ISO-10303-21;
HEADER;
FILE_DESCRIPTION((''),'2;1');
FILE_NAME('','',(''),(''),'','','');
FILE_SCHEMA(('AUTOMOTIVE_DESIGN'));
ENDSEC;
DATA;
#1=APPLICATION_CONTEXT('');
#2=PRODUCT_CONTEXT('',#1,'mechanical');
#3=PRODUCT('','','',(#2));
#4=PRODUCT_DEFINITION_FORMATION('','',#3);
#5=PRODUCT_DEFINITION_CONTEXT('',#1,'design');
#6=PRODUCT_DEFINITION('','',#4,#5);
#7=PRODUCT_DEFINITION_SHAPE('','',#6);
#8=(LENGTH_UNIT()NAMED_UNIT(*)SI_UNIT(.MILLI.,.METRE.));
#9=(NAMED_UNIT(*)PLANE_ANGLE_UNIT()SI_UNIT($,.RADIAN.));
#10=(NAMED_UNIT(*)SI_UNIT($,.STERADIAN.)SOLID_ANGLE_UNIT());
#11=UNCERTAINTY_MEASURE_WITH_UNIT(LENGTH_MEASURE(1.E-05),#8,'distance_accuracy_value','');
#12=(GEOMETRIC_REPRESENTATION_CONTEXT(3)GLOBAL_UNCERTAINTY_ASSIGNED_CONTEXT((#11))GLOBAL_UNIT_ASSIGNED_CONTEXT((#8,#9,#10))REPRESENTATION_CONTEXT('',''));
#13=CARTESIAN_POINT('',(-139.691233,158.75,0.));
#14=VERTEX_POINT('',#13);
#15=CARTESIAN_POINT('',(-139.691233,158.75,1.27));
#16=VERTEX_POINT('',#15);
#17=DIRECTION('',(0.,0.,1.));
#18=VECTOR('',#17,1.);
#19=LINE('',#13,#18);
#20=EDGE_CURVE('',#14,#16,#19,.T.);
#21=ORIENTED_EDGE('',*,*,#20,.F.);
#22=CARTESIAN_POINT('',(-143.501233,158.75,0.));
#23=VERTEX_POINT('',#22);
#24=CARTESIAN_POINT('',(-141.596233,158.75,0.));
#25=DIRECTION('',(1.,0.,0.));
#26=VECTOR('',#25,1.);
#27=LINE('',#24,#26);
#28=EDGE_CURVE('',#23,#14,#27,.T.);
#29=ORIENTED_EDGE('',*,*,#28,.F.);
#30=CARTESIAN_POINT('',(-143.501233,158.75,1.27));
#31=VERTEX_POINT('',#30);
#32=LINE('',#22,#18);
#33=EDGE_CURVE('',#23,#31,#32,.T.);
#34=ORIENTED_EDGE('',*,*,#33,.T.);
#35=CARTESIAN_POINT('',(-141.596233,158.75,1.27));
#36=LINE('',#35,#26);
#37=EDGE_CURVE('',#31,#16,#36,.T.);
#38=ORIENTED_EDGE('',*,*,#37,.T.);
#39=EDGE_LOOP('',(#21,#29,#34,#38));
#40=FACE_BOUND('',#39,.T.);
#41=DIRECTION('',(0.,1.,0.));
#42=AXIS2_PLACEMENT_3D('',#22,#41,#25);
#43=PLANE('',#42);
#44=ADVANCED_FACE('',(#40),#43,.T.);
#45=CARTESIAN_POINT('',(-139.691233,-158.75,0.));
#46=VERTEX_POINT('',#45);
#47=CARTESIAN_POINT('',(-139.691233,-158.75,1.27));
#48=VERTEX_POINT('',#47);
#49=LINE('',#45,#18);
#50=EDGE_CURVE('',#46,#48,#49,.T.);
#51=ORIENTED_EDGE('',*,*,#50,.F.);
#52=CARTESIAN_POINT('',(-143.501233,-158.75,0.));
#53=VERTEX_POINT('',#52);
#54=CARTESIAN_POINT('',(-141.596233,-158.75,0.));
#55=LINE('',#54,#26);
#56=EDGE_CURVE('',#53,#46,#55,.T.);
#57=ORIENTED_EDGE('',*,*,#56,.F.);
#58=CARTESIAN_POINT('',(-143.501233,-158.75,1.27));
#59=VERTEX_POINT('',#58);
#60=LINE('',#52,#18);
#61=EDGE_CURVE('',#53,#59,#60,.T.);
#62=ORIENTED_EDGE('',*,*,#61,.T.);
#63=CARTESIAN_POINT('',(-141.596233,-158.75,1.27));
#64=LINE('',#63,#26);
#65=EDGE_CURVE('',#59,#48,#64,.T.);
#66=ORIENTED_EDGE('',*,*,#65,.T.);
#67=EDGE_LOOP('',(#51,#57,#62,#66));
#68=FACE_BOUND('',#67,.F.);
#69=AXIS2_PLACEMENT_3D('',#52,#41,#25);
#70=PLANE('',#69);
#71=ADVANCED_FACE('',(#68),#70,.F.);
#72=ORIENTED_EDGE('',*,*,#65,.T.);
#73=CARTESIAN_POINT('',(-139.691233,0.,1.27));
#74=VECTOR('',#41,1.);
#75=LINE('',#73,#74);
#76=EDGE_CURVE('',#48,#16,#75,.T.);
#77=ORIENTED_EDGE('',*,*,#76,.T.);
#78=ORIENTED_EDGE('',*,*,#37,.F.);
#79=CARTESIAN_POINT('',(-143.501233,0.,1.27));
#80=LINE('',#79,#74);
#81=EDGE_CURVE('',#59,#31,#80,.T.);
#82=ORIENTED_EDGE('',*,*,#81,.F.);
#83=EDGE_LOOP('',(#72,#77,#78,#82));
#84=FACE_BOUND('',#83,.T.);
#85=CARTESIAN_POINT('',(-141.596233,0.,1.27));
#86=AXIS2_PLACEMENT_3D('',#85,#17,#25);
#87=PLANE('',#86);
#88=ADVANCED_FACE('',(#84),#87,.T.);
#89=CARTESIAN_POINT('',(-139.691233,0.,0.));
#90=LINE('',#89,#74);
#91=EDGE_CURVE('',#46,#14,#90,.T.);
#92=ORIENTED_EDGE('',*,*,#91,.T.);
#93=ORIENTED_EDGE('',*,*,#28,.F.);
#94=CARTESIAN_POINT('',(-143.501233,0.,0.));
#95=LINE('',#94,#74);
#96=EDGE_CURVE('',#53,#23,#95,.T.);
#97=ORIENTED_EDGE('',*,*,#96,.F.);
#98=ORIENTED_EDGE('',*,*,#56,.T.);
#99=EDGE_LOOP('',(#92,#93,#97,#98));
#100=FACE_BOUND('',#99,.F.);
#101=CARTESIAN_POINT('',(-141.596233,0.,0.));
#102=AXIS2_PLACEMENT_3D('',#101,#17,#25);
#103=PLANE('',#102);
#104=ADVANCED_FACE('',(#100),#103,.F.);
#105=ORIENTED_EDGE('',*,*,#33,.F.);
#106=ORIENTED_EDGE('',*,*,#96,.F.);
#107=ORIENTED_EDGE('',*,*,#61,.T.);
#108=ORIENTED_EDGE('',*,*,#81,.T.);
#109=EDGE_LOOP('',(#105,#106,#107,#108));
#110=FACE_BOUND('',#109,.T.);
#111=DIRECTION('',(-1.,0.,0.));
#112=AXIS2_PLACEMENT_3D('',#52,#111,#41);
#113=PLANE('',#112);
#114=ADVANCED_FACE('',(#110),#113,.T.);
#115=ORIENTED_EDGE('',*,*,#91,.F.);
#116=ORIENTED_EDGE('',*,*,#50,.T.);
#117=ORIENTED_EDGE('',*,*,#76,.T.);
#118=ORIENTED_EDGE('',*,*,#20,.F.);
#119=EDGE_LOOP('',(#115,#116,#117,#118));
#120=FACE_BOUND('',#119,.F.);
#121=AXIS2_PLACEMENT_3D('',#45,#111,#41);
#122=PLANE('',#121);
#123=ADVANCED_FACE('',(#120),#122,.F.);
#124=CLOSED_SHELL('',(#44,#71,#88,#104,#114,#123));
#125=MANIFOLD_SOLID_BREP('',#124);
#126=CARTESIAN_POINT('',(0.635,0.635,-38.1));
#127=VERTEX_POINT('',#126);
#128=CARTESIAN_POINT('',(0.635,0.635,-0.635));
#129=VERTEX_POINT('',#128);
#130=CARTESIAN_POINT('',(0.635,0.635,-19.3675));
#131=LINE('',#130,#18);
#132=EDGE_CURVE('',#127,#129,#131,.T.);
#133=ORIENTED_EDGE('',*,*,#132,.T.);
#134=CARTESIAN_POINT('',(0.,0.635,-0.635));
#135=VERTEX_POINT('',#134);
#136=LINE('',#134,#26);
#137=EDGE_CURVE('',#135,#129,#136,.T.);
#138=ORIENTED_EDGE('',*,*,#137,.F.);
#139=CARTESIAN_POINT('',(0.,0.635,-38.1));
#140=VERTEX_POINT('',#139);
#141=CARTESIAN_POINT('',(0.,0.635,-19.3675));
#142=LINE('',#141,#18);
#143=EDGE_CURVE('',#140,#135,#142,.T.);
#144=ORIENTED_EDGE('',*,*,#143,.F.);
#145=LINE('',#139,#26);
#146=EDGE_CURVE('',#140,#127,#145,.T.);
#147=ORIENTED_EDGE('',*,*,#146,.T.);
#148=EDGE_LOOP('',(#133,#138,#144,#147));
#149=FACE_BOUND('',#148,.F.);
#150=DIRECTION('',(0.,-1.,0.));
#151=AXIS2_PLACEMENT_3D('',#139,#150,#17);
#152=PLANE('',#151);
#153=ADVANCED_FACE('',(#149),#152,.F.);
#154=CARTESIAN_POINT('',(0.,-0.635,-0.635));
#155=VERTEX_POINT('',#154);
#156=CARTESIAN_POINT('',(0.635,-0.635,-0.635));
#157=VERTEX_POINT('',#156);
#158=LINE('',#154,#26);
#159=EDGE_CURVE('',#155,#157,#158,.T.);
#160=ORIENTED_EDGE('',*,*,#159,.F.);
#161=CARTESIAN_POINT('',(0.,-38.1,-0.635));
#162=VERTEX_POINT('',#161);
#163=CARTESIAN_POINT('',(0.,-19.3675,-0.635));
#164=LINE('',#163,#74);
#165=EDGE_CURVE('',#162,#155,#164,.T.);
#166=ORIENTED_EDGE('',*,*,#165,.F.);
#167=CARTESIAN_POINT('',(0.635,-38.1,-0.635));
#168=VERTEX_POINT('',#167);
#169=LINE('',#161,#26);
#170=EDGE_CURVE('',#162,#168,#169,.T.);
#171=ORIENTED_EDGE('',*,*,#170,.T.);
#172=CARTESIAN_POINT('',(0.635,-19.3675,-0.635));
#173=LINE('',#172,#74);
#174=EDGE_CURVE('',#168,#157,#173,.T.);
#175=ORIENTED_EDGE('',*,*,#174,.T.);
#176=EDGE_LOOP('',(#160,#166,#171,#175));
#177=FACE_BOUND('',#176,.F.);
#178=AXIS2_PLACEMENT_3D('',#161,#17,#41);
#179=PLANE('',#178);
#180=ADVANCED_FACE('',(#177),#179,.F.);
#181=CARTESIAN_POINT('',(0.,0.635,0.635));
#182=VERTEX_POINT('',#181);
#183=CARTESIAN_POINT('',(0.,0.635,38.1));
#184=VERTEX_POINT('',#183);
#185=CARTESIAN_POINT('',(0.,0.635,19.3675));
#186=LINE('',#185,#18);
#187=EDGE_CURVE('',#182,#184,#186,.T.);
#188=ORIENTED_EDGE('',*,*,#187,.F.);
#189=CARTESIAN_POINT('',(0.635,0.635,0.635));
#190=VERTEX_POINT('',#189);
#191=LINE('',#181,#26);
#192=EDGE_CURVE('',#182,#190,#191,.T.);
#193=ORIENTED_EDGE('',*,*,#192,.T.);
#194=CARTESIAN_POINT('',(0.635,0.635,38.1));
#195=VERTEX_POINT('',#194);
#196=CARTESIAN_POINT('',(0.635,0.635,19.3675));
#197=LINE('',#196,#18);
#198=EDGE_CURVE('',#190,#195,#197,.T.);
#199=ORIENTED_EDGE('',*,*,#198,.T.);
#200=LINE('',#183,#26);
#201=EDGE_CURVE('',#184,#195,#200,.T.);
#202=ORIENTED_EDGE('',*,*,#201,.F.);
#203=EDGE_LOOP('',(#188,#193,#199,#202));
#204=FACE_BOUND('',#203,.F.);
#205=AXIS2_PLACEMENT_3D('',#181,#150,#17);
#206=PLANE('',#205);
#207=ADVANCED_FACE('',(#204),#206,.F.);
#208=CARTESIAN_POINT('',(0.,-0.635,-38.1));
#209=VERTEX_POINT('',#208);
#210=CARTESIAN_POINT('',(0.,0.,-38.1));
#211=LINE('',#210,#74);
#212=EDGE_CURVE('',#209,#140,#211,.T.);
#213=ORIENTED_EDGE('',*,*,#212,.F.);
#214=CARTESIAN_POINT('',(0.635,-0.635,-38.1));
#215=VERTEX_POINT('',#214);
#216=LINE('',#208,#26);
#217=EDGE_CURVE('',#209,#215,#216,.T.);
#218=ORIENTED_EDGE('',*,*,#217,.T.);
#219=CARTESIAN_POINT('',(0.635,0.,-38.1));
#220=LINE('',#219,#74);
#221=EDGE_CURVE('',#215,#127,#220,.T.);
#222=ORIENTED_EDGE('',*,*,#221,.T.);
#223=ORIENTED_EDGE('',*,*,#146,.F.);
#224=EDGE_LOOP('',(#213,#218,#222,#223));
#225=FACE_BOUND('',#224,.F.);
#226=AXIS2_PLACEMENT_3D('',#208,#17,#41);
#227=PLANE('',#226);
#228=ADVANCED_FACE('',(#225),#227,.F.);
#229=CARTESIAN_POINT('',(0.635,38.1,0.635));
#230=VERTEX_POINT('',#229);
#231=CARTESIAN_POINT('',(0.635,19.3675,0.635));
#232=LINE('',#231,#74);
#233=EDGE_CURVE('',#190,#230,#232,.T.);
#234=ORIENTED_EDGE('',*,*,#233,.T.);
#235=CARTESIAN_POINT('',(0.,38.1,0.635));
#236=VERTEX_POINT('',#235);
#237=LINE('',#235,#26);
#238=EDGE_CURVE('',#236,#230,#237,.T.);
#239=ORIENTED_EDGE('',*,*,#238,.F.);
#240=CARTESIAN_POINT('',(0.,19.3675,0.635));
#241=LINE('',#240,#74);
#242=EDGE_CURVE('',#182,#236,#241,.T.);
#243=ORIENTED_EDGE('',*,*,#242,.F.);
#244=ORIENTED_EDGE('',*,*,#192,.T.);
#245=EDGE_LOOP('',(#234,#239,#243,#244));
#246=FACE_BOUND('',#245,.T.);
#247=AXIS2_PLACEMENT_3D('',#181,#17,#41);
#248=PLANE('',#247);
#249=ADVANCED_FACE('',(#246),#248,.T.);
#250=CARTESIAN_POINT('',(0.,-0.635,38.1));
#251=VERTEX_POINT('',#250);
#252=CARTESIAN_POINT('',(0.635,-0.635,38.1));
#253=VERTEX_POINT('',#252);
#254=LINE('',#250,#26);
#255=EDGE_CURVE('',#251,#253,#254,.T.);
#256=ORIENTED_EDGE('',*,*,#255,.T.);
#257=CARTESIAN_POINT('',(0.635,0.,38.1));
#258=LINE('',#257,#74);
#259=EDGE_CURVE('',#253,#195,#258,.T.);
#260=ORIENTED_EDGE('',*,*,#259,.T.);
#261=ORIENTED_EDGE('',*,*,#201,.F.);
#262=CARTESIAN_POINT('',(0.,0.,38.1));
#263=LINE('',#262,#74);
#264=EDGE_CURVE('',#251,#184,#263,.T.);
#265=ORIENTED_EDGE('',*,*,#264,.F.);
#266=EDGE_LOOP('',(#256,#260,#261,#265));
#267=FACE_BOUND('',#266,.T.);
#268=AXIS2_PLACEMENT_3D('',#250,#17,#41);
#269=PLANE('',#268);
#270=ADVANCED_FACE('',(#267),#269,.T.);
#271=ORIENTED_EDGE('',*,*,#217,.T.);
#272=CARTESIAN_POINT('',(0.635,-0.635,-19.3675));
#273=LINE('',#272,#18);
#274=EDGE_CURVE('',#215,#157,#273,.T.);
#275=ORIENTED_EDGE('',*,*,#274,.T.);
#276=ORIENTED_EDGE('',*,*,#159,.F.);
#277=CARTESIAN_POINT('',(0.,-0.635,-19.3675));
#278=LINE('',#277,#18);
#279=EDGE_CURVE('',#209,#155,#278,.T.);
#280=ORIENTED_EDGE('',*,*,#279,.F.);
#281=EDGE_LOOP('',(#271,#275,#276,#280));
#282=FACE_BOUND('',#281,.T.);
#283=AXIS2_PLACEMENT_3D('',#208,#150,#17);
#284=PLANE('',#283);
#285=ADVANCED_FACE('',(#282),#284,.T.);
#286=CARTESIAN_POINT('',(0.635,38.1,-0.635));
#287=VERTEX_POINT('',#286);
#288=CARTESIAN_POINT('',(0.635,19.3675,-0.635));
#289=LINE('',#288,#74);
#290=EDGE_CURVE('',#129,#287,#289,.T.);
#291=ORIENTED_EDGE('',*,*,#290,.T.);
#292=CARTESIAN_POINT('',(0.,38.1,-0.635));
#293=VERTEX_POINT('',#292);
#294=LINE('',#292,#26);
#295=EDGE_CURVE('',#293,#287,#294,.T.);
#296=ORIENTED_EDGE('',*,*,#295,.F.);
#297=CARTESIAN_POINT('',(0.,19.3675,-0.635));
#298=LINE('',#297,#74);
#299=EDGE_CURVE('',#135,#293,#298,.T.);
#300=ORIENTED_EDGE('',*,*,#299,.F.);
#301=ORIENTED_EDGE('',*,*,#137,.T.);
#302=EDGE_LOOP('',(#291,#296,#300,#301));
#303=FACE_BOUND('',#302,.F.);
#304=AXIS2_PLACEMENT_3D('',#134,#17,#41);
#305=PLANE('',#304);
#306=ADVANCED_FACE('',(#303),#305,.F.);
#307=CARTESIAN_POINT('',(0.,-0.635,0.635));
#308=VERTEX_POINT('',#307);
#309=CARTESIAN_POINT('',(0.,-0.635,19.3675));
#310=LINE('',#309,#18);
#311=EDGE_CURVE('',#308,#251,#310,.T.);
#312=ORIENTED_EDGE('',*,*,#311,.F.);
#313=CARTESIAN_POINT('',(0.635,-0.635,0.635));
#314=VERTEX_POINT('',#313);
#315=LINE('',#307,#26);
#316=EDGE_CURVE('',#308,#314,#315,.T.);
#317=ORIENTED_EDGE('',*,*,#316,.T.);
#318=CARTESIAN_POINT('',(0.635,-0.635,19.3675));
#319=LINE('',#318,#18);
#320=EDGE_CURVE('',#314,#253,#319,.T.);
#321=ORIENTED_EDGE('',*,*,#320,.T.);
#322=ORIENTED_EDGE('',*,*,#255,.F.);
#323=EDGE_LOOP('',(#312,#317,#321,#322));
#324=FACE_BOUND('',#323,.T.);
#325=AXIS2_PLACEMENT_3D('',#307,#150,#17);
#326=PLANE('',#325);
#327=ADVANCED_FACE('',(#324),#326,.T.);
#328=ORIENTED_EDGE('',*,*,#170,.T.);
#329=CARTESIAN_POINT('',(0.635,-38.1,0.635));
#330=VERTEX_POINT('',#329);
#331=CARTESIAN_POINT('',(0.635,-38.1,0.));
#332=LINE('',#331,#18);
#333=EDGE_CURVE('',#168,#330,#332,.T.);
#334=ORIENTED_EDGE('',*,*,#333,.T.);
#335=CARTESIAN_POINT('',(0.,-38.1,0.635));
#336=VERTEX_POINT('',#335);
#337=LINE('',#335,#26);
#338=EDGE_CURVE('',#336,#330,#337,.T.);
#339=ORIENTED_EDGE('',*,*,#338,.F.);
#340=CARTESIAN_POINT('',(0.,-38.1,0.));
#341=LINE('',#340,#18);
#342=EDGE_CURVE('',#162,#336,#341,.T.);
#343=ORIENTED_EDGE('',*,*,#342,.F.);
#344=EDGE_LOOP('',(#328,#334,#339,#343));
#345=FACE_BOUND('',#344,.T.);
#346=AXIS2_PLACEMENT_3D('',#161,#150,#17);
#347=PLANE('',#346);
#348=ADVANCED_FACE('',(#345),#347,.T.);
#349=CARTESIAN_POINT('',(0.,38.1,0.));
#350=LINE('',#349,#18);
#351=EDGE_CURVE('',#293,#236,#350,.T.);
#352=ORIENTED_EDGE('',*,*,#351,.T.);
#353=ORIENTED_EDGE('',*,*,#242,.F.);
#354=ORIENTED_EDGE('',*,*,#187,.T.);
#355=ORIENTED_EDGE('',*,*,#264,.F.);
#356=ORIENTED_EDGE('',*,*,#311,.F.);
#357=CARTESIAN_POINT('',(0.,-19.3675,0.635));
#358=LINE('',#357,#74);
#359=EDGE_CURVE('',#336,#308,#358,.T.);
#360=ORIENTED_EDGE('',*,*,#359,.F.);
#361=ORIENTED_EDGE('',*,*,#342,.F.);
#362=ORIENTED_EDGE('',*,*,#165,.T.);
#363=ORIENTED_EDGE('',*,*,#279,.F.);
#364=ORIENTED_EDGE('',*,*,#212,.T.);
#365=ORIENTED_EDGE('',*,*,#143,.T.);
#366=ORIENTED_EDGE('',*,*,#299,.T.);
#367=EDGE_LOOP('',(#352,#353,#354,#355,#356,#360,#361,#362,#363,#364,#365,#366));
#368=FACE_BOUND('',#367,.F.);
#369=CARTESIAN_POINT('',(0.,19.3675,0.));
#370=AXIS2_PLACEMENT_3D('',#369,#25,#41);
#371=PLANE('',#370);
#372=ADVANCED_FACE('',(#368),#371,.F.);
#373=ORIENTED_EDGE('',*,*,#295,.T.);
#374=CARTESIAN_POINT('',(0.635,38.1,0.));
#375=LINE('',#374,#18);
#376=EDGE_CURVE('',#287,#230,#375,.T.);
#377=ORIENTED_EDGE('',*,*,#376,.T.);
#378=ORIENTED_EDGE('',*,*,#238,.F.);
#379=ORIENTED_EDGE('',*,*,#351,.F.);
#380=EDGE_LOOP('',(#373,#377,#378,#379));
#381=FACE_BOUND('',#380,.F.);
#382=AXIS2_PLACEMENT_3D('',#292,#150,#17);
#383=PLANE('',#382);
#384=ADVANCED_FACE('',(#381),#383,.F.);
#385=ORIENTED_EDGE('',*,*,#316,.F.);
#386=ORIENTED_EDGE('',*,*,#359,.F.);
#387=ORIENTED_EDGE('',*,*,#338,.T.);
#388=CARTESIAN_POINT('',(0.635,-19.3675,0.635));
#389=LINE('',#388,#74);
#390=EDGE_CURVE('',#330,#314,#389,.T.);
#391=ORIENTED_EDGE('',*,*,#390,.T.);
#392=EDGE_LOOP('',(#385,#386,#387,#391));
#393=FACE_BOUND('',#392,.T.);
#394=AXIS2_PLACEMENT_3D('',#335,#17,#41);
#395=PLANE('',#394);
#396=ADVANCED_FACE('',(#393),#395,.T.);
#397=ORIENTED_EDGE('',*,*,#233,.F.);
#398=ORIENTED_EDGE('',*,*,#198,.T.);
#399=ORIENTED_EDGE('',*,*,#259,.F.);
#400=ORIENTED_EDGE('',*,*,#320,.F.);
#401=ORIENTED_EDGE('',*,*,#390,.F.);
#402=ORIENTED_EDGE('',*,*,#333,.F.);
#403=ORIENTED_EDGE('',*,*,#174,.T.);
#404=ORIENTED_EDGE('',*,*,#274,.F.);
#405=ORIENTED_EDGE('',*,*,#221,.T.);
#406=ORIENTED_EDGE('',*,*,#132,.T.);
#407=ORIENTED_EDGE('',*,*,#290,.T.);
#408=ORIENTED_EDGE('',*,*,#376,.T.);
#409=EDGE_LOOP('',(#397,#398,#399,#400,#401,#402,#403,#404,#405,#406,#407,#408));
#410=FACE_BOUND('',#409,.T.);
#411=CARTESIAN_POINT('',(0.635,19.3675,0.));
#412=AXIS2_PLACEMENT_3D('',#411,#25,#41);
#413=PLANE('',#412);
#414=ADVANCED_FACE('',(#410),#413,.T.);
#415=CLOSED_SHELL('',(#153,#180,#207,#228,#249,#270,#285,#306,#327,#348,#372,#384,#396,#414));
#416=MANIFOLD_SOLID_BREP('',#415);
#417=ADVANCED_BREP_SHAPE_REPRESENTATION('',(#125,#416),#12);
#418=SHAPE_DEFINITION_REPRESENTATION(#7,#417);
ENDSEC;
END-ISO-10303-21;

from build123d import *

# Parameters (mm, degrees)
F0_W     = 3.81
F0_H     = 317.5
F1_DEPTH = 1.27
F2_W     = 37.465
F2_H     = 1.27
F2_W_2   = 1.27
F2_H_2   = 37.465
F3_DEPTH = 0.635


with BuildPart() as f1:
    # F0 (on Top) → F1 (new body)
    with BuildSketch(Plane.XY):
        with Locations((-141.5962326458, 0)):
            Rectangle(F0_W, F0_H)
    extrude(amount=F1_DEPTH)


with BuildPart() as f3:
    # F2 (on Right) → F3 (new body)
    with BuildSketch(Plane.YZ):
        with Locations((19.3675, 0)):
            Rectangle(F2_W, F2_H)
        with Locations((-19.3675, 0)):
            Rectangle(F2_W, F2_H)
        with Locations((0, 19.3675)):
            Rectangle(F2_W_2, F2_H_2)
        with Locations((0, -19.3675)):
            Rectangle(F2_W_2, F2_H_2)
        Rectangle(F2_W_2, F2_H)
    extrude(amount=F3_DEPTH)


solid = Compound([f1.part, f3.part])
